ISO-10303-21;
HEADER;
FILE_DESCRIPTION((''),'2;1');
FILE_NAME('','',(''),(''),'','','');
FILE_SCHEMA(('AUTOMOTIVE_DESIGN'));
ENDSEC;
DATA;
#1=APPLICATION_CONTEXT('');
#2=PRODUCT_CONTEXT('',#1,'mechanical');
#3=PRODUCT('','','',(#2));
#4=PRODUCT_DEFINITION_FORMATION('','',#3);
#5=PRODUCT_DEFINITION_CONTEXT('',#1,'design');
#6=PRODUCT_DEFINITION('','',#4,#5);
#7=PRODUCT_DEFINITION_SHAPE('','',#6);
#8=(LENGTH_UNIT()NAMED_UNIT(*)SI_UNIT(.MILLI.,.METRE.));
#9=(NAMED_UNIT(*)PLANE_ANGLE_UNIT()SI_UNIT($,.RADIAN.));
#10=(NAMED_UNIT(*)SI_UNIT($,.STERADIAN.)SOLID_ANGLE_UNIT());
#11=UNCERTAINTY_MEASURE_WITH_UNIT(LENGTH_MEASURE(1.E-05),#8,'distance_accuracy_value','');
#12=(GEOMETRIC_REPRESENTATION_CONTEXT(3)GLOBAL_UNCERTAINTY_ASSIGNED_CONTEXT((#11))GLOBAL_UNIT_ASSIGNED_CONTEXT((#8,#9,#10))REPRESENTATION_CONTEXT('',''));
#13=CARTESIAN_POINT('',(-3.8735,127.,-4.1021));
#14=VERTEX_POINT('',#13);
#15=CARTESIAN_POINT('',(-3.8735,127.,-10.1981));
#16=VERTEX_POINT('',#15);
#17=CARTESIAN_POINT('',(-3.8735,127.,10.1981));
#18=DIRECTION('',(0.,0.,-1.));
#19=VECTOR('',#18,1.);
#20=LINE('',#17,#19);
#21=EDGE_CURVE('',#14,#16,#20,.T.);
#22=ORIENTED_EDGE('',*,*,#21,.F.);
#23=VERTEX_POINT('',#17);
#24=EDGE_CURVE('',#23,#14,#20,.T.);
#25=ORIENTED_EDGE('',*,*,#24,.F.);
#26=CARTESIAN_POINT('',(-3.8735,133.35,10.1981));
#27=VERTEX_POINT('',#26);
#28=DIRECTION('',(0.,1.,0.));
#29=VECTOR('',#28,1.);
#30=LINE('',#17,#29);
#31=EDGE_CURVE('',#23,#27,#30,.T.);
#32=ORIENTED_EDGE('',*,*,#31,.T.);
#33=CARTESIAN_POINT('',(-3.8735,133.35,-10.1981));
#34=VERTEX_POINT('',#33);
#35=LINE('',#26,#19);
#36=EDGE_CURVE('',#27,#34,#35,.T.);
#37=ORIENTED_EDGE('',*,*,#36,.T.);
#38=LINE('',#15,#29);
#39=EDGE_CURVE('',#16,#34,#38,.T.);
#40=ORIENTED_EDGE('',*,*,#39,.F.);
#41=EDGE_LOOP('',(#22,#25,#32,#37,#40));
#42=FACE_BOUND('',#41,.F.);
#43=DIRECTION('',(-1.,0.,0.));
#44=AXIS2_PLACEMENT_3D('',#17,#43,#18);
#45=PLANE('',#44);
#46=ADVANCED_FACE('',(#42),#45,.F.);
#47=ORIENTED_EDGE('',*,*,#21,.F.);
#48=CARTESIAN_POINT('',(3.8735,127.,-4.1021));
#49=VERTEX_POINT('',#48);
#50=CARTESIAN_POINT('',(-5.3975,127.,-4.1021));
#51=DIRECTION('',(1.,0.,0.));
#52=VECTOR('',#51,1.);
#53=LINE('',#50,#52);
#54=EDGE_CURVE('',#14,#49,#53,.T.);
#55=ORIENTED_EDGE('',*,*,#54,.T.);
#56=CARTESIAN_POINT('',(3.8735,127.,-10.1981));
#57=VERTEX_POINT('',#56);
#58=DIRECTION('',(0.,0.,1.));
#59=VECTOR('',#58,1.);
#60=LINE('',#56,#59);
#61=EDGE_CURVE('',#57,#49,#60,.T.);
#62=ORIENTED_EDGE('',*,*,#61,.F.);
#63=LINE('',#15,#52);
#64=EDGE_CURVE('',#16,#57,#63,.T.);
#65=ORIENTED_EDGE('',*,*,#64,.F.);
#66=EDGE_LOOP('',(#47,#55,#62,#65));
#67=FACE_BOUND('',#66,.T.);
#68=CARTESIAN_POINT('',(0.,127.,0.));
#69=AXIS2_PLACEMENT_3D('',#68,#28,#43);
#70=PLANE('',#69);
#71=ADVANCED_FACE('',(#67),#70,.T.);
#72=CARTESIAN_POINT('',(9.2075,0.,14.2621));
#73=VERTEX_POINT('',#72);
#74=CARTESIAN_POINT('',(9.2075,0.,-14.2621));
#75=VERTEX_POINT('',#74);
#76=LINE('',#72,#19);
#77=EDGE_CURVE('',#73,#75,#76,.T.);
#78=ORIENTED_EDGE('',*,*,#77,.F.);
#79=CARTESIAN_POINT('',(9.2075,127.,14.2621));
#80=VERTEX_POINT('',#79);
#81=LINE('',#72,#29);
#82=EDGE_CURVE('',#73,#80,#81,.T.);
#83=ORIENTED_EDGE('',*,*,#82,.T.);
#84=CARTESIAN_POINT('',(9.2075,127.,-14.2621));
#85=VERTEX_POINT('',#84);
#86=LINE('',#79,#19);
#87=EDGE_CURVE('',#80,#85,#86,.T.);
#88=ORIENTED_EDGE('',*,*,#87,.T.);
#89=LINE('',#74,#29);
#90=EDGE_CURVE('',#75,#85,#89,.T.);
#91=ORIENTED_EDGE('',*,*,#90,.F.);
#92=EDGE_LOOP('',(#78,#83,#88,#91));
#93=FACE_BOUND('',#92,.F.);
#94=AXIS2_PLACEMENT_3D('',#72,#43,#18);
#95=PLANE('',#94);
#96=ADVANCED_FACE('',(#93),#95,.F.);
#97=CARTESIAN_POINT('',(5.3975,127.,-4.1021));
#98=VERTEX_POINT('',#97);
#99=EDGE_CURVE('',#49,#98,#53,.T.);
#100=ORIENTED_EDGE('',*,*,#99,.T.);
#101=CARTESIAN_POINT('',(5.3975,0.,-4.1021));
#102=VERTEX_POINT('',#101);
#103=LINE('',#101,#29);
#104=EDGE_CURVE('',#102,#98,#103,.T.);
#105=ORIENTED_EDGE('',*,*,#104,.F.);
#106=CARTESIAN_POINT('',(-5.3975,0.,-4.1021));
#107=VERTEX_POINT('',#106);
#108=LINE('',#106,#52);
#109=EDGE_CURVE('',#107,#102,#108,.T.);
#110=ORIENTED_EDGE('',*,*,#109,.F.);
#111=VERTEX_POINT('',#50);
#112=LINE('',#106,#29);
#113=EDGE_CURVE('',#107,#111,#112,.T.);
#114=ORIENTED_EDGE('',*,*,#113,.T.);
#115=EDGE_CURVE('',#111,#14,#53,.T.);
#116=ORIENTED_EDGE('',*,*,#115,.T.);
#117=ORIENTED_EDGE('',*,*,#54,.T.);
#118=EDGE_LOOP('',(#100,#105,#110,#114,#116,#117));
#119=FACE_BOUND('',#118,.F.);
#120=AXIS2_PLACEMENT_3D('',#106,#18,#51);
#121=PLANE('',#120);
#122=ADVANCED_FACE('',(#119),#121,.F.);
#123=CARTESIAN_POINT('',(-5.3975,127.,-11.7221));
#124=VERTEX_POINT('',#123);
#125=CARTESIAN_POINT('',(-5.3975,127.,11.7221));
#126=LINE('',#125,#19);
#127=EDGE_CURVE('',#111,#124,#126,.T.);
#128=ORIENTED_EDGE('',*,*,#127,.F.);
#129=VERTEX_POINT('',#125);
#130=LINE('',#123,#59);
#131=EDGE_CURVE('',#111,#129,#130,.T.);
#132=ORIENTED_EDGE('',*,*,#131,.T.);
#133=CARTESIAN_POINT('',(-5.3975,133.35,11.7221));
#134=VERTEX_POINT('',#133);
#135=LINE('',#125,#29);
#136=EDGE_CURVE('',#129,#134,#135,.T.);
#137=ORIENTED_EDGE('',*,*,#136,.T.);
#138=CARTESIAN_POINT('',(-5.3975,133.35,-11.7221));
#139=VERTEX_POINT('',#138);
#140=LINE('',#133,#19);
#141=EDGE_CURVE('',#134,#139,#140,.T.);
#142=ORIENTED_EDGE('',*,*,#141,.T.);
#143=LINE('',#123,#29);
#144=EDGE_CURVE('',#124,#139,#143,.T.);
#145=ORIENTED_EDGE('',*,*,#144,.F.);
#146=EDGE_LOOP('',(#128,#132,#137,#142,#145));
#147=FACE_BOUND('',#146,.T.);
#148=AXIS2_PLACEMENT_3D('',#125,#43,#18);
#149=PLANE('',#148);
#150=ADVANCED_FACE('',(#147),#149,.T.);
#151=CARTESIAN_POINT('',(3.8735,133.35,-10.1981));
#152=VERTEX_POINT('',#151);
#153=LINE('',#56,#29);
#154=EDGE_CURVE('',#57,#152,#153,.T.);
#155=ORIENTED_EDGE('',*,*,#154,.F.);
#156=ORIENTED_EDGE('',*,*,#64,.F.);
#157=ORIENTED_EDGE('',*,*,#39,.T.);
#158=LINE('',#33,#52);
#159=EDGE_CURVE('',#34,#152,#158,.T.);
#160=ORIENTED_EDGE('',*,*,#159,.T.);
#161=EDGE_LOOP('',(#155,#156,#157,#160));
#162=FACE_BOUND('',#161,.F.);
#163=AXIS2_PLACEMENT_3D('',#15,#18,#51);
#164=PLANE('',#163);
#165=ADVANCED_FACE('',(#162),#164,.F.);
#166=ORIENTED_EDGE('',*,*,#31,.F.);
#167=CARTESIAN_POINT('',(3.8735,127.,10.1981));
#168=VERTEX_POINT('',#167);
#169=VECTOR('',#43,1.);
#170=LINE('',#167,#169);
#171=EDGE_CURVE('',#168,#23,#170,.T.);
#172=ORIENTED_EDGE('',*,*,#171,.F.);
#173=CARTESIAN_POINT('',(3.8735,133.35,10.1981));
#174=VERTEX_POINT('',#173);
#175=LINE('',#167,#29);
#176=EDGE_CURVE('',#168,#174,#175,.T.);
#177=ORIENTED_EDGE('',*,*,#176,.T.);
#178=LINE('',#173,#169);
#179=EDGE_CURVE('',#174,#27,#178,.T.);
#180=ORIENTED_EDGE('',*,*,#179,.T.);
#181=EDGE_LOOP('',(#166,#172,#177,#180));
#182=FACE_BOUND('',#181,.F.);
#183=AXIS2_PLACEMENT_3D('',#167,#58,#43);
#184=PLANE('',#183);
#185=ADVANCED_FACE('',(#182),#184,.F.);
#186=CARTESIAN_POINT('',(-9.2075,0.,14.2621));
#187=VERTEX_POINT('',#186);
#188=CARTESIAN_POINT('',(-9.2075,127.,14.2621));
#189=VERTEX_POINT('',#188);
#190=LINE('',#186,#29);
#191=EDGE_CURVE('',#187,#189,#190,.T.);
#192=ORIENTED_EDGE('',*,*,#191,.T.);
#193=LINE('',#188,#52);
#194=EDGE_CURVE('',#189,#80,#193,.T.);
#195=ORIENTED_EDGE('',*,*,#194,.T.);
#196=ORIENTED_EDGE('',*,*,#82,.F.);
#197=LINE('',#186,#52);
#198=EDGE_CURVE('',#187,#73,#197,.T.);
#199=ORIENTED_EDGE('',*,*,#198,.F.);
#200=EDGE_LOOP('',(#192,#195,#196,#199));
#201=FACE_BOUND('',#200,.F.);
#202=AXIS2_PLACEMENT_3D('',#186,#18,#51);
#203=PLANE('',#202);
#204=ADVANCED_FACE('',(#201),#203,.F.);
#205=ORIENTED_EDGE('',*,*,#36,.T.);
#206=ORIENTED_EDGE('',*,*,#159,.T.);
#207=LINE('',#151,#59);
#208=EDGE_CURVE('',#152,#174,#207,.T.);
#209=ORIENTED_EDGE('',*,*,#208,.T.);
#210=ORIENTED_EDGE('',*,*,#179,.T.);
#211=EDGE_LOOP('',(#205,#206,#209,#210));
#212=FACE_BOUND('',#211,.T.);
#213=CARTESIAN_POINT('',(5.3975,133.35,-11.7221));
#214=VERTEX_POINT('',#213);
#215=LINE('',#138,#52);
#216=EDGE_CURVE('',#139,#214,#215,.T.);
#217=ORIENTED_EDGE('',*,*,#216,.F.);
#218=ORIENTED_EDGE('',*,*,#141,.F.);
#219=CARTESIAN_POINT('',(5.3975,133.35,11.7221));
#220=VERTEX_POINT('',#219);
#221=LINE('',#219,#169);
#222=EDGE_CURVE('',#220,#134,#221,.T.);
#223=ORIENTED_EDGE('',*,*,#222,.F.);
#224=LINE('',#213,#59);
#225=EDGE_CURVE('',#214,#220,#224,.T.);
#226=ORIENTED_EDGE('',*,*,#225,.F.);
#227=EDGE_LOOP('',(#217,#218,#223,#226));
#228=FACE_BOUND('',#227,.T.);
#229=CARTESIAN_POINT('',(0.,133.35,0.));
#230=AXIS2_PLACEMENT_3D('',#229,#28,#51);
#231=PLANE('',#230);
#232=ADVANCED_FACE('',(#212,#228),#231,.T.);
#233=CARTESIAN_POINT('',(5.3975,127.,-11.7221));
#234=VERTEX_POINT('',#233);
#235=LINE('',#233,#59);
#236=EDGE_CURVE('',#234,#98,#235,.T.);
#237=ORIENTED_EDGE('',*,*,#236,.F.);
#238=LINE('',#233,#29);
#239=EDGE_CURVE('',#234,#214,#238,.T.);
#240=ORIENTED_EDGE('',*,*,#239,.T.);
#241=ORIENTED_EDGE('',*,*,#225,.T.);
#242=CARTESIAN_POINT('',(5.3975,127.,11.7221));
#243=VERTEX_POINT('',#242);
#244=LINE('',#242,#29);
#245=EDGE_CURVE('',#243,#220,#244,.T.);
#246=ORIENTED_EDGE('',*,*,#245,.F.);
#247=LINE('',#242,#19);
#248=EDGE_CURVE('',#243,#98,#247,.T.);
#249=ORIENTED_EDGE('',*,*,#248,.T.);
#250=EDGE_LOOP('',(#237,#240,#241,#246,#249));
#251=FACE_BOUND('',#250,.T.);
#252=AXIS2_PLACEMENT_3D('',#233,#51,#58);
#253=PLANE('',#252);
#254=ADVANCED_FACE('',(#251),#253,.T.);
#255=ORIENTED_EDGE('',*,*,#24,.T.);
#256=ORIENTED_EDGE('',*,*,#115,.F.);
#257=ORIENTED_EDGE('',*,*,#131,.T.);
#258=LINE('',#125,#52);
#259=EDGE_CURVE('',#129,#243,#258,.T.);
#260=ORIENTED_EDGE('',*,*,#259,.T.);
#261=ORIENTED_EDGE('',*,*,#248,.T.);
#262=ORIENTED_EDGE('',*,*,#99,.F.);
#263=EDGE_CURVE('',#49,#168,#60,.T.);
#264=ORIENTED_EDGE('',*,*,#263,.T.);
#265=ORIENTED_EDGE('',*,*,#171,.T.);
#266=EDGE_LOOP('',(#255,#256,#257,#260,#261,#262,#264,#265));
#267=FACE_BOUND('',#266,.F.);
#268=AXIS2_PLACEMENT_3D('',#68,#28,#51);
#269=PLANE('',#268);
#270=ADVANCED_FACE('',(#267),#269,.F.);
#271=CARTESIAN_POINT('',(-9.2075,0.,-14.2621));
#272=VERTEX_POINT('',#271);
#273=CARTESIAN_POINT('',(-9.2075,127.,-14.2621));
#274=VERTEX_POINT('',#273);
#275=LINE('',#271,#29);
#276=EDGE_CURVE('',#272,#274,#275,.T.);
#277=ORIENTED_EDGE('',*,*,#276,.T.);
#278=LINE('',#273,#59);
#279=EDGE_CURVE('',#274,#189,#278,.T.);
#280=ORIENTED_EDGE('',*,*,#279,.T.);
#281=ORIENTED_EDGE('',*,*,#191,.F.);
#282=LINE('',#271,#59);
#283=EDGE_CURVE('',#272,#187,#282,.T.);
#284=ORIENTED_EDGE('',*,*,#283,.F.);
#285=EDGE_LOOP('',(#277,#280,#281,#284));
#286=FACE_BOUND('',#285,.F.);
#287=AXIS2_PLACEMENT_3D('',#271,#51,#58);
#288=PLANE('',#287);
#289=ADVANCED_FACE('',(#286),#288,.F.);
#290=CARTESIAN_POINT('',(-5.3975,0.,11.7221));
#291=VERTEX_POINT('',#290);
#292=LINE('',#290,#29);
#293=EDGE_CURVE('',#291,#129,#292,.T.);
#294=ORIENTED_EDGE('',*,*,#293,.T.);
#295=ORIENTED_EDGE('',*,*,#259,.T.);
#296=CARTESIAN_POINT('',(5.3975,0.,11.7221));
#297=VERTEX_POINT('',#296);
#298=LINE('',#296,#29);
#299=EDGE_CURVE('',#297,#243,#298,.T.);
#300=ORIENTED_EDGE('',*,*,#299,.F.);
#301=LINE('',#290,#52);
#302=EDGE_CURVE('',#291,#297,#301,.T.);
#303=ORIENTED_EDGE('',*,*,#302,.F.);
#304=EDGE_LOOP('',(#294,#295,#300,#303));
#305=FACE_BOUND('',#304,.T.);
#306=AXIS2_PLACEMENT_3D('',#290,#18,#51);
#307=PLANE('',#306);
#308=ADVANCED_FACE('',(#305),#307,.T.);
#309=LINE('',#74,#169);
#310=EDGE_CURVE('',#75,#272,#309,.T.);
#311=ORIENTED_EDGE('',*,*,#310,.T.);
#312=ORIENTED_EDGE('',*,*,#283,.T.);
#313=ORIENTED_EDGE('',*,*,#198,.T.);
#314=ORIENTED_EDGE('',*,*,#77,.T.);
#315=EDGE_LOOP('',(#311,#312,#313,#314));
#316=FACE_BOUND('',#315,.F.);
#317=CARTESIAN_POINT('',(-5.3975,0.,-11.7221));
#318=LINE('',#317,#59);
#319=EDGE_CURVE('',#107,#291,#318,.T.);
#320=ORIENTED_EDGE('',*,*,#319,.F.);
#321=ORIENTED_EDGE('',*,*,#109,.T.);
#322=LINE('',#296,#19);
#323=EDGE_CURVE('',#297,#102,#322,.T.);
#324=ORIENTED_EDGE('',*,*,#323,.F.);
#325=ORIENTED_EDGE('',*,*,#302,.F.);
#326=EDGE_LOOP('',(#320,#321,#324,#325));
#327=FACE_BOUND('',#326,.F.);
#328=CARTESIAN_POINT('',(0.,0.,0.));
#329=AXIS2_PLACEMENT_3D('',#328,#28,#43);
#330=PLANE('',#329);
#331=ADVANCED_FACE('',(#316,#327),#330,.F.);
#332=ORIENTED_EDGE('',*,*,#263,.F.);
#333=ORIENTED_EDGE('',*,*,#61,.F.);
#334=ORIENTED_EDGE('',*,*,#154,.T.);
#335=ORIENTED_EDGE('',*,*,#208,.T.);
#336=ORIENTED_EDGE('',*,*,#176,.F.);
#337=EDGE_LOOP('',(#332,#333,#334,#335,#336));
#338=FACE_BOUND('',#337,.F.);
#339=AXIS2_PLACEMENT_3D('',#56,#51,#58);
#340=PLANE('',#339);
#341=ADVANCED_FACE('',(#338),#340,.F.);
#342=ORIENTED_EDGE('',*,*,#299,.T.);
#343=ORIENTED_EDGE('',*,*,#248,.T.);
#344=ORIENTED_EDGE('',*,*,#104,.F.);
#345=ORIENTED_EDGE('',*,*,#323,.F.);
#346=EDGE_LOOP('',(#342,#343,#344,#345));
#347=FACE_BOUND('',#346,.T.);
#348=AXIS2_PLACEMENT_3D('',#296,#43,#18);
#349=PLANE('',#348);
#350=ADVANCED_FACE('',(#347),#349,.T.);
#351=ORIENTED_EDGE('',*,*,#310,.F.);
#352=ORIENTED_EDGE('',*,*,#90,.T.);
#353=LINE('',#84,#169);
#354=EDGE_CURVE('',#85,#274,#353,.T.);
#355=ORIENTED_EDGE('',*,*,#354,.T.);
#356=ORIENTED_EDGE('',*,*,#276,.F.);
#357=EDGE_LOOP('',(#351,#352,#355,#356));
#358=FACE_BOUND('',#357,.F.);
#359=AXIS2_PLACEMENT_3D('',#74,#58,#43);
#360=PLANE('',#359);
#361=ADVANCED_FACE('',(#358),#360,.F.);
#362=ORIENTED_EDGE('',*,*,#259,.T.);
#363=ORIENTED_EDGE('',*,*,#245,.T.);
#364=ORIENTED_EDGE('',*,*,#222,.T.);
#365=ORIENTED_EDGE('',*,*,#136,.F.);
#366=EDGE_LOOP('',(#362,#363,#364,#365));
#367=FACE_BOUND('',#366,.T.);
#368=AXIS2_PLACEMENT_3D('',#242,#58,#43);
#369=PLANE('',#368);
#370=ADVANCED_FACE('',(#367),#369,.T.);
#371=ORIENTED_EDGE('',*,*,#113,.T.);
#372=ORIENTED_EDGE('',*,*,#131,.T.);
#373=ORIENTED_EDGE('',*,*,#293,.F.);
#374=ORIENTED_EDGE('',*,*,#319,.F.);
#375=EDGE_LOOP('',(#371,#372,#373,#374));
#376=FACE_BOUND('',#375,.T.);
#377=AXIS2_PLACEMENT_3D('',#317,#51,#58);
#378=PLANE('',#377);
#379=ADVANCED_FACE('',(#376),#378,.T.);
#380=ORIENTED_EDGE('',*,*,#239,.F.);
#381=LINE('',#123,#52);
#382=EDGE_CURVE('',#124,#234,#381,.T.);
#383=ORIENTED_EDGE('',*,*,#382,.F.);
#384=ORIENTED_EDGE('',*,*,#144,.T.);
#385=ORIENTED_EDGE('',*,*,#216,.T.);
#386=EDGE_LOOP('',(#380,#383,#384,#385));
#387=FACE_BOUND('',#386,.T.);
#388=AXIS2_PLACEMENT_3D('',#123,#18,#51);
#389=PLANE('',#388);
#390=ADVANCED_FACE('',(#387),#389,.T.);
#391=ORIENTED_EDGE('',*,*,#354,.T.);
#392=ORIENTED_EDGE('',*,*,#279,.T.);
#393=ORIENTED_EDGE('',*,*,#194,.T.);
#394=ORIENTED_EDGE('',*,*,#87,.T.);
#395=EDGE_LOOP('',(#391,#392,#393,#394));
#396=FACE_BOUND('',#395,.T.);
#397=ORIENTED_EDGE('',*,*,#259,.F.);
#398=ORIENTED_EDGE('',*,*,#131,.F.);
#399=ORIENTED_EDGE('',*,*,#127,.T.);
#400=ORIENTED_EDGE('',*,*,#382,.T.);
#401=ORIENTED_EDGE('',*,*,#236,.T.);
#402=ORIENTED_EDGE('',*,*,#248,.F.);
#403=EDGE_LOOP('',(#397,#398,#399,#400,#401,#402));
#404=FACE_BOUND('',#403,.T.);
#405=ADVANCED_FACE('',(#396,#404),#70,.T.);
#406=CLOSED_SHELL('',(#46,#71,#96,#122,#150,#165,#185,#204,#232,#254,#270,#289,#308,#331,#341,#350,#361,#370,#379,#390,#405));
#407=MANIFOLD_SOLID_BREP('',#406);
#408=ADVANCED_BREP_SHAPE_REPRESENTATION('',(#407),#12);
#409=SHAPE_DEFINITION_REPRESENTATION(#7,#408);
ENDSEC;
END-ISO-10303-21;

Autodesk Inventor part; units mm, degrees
ref_plane "YZ Plane" through (0, 0, 0) normal (1, 0, 0) x (0, 1, 0)
ref_plane "XZ Plane" through (0, 0, 0) normal (0, 1, 0) x (-1, 0, 0)
ref_plane "XY Plane" through (0, 0, 0) normal (0, 0, 1) x (1, 0, 0)
sketch "Sketch1" plane through (0, 0, 0) normal (0, 1, 0) x (-1, 0, 0)
  line L0 (5.3975, 11.7221) -> (-5.3975, 11.7221)
  line L1 (-5.3975, 11.7221) -> (-5.3975, -11.7221)
  line L2 (-5.3975, -11.7221) -> (5.3975, -11.7221)
  line L3 (5.3975, -11.7221) -> (5.3975, 11.7221)
  line L4 (5.3975, 11.7221) -> (-5.3975, -11.7221) construction
  line L5 (-5.3975, 11.7221) -> (5.3975, -11.7221) construction
  line L6 (9.2075, 14.2621) -> (-9.2075, 14.2621)
  line L7 (-9.2075, 14.2621) -> (-9.2075, -14.2621)
  line L8 (-9.2075, -14.2621) -> (9.2075, -14.2621)
  line L9 (9.2075, -14.2621) -> (9.2075, 14.2621)
  line L10 (9.2075, 14.2621) -> (-9.2075, -14.2621) construction
  line L11 (-9.2075, 14.2621) -> (9.2075, -14.2621) construction
  point P0 (0, 0)
  dimension "d0" = 10.795
  dimension "d1" = 23.4442
  dimension "d2" = 18.415
  dimension "d3" = 28.5242
extrude "Extrusion1" add sketch "Sketch1" along normal blind 127
sketch "Sketch2" plane through (0, 127, 0) normal (0, 1, 0) x (1, 0, 0)
  point P0 (0, 0)
sketch "Sketch3" plane through (0, 0, 0) normal (0, -1, 0) x (1, 0, 0)
  line L0 (5.3975, 11.7221) -> (5.3975, -11.7221) projected
  line L1 (-5.3975, 11.7221) -> (-5.3975, -11.7221) projected
  line L2 (5.3975, -11.7221) -> (-5.3975, -11.7221)
  line L3 (-5.3975, -11.7221) -> (-5.3975, -4.1021)
  line L4 (-5.3975, -4.1021) -> (5.3975, -4.1021)
  line L5 (5.3975, -4.1021) -> (5.3975, -11.7221)
  point P0 (0, 0)
  dimension "d6" = 7.62
extrude "Extrusion2" add sketch "Sketch3" against normal blind 127
sketch "Sketch4" plane through (0, 127, 0) normal (0, 1, 0) x (1, 0, 0)
  line L0 (-5.3975, 11.7221) -> (5.3975, 11.7221)
  line L1 (5.3975, 11.7221) -> (5.3975, -11.7221)
  line L2 (5.3975, -11.7221) -> (-5.3975, -11.7221)
  line L3 (-5.3975, -11.7221) -> (-5.3975, 11.7221)
  line L4 (-5.3975, 11.7221) -> (5.3975, -11.7221) construction
  line L5 (5.3975, 11.7221) -> (-5.3975, -11.7221) construction
  line L6 (-3.8735, 10.1981) -> (3.8735, 10.1981)
  line L7 (3.8735, 10.1981) -> (3.8735, -10.1981)
  line L8 (3.8735, -10.1981) -> (-3.8735, -10.1981)
  line L9 (-3.8735, -10.1981) -> (-3.8735, 10.1981)
  line L10 (-3.8735, 10.1981) -> (3.8735, -10.1981) construction
  line L11 (3.8735, 10.1981) -> (-3.8735, -10.1981) construction
  point P0 (0, 0)
  dimension "d9" = 10.795
  dimension "d10" = 23.4442
  dimension "d11" = 7.747
  dimension "d12" = 20.3962
extrude "Extrusion3" add sketch "Sketch4" along normal blind 6.35
properties part number "Bacon2"
